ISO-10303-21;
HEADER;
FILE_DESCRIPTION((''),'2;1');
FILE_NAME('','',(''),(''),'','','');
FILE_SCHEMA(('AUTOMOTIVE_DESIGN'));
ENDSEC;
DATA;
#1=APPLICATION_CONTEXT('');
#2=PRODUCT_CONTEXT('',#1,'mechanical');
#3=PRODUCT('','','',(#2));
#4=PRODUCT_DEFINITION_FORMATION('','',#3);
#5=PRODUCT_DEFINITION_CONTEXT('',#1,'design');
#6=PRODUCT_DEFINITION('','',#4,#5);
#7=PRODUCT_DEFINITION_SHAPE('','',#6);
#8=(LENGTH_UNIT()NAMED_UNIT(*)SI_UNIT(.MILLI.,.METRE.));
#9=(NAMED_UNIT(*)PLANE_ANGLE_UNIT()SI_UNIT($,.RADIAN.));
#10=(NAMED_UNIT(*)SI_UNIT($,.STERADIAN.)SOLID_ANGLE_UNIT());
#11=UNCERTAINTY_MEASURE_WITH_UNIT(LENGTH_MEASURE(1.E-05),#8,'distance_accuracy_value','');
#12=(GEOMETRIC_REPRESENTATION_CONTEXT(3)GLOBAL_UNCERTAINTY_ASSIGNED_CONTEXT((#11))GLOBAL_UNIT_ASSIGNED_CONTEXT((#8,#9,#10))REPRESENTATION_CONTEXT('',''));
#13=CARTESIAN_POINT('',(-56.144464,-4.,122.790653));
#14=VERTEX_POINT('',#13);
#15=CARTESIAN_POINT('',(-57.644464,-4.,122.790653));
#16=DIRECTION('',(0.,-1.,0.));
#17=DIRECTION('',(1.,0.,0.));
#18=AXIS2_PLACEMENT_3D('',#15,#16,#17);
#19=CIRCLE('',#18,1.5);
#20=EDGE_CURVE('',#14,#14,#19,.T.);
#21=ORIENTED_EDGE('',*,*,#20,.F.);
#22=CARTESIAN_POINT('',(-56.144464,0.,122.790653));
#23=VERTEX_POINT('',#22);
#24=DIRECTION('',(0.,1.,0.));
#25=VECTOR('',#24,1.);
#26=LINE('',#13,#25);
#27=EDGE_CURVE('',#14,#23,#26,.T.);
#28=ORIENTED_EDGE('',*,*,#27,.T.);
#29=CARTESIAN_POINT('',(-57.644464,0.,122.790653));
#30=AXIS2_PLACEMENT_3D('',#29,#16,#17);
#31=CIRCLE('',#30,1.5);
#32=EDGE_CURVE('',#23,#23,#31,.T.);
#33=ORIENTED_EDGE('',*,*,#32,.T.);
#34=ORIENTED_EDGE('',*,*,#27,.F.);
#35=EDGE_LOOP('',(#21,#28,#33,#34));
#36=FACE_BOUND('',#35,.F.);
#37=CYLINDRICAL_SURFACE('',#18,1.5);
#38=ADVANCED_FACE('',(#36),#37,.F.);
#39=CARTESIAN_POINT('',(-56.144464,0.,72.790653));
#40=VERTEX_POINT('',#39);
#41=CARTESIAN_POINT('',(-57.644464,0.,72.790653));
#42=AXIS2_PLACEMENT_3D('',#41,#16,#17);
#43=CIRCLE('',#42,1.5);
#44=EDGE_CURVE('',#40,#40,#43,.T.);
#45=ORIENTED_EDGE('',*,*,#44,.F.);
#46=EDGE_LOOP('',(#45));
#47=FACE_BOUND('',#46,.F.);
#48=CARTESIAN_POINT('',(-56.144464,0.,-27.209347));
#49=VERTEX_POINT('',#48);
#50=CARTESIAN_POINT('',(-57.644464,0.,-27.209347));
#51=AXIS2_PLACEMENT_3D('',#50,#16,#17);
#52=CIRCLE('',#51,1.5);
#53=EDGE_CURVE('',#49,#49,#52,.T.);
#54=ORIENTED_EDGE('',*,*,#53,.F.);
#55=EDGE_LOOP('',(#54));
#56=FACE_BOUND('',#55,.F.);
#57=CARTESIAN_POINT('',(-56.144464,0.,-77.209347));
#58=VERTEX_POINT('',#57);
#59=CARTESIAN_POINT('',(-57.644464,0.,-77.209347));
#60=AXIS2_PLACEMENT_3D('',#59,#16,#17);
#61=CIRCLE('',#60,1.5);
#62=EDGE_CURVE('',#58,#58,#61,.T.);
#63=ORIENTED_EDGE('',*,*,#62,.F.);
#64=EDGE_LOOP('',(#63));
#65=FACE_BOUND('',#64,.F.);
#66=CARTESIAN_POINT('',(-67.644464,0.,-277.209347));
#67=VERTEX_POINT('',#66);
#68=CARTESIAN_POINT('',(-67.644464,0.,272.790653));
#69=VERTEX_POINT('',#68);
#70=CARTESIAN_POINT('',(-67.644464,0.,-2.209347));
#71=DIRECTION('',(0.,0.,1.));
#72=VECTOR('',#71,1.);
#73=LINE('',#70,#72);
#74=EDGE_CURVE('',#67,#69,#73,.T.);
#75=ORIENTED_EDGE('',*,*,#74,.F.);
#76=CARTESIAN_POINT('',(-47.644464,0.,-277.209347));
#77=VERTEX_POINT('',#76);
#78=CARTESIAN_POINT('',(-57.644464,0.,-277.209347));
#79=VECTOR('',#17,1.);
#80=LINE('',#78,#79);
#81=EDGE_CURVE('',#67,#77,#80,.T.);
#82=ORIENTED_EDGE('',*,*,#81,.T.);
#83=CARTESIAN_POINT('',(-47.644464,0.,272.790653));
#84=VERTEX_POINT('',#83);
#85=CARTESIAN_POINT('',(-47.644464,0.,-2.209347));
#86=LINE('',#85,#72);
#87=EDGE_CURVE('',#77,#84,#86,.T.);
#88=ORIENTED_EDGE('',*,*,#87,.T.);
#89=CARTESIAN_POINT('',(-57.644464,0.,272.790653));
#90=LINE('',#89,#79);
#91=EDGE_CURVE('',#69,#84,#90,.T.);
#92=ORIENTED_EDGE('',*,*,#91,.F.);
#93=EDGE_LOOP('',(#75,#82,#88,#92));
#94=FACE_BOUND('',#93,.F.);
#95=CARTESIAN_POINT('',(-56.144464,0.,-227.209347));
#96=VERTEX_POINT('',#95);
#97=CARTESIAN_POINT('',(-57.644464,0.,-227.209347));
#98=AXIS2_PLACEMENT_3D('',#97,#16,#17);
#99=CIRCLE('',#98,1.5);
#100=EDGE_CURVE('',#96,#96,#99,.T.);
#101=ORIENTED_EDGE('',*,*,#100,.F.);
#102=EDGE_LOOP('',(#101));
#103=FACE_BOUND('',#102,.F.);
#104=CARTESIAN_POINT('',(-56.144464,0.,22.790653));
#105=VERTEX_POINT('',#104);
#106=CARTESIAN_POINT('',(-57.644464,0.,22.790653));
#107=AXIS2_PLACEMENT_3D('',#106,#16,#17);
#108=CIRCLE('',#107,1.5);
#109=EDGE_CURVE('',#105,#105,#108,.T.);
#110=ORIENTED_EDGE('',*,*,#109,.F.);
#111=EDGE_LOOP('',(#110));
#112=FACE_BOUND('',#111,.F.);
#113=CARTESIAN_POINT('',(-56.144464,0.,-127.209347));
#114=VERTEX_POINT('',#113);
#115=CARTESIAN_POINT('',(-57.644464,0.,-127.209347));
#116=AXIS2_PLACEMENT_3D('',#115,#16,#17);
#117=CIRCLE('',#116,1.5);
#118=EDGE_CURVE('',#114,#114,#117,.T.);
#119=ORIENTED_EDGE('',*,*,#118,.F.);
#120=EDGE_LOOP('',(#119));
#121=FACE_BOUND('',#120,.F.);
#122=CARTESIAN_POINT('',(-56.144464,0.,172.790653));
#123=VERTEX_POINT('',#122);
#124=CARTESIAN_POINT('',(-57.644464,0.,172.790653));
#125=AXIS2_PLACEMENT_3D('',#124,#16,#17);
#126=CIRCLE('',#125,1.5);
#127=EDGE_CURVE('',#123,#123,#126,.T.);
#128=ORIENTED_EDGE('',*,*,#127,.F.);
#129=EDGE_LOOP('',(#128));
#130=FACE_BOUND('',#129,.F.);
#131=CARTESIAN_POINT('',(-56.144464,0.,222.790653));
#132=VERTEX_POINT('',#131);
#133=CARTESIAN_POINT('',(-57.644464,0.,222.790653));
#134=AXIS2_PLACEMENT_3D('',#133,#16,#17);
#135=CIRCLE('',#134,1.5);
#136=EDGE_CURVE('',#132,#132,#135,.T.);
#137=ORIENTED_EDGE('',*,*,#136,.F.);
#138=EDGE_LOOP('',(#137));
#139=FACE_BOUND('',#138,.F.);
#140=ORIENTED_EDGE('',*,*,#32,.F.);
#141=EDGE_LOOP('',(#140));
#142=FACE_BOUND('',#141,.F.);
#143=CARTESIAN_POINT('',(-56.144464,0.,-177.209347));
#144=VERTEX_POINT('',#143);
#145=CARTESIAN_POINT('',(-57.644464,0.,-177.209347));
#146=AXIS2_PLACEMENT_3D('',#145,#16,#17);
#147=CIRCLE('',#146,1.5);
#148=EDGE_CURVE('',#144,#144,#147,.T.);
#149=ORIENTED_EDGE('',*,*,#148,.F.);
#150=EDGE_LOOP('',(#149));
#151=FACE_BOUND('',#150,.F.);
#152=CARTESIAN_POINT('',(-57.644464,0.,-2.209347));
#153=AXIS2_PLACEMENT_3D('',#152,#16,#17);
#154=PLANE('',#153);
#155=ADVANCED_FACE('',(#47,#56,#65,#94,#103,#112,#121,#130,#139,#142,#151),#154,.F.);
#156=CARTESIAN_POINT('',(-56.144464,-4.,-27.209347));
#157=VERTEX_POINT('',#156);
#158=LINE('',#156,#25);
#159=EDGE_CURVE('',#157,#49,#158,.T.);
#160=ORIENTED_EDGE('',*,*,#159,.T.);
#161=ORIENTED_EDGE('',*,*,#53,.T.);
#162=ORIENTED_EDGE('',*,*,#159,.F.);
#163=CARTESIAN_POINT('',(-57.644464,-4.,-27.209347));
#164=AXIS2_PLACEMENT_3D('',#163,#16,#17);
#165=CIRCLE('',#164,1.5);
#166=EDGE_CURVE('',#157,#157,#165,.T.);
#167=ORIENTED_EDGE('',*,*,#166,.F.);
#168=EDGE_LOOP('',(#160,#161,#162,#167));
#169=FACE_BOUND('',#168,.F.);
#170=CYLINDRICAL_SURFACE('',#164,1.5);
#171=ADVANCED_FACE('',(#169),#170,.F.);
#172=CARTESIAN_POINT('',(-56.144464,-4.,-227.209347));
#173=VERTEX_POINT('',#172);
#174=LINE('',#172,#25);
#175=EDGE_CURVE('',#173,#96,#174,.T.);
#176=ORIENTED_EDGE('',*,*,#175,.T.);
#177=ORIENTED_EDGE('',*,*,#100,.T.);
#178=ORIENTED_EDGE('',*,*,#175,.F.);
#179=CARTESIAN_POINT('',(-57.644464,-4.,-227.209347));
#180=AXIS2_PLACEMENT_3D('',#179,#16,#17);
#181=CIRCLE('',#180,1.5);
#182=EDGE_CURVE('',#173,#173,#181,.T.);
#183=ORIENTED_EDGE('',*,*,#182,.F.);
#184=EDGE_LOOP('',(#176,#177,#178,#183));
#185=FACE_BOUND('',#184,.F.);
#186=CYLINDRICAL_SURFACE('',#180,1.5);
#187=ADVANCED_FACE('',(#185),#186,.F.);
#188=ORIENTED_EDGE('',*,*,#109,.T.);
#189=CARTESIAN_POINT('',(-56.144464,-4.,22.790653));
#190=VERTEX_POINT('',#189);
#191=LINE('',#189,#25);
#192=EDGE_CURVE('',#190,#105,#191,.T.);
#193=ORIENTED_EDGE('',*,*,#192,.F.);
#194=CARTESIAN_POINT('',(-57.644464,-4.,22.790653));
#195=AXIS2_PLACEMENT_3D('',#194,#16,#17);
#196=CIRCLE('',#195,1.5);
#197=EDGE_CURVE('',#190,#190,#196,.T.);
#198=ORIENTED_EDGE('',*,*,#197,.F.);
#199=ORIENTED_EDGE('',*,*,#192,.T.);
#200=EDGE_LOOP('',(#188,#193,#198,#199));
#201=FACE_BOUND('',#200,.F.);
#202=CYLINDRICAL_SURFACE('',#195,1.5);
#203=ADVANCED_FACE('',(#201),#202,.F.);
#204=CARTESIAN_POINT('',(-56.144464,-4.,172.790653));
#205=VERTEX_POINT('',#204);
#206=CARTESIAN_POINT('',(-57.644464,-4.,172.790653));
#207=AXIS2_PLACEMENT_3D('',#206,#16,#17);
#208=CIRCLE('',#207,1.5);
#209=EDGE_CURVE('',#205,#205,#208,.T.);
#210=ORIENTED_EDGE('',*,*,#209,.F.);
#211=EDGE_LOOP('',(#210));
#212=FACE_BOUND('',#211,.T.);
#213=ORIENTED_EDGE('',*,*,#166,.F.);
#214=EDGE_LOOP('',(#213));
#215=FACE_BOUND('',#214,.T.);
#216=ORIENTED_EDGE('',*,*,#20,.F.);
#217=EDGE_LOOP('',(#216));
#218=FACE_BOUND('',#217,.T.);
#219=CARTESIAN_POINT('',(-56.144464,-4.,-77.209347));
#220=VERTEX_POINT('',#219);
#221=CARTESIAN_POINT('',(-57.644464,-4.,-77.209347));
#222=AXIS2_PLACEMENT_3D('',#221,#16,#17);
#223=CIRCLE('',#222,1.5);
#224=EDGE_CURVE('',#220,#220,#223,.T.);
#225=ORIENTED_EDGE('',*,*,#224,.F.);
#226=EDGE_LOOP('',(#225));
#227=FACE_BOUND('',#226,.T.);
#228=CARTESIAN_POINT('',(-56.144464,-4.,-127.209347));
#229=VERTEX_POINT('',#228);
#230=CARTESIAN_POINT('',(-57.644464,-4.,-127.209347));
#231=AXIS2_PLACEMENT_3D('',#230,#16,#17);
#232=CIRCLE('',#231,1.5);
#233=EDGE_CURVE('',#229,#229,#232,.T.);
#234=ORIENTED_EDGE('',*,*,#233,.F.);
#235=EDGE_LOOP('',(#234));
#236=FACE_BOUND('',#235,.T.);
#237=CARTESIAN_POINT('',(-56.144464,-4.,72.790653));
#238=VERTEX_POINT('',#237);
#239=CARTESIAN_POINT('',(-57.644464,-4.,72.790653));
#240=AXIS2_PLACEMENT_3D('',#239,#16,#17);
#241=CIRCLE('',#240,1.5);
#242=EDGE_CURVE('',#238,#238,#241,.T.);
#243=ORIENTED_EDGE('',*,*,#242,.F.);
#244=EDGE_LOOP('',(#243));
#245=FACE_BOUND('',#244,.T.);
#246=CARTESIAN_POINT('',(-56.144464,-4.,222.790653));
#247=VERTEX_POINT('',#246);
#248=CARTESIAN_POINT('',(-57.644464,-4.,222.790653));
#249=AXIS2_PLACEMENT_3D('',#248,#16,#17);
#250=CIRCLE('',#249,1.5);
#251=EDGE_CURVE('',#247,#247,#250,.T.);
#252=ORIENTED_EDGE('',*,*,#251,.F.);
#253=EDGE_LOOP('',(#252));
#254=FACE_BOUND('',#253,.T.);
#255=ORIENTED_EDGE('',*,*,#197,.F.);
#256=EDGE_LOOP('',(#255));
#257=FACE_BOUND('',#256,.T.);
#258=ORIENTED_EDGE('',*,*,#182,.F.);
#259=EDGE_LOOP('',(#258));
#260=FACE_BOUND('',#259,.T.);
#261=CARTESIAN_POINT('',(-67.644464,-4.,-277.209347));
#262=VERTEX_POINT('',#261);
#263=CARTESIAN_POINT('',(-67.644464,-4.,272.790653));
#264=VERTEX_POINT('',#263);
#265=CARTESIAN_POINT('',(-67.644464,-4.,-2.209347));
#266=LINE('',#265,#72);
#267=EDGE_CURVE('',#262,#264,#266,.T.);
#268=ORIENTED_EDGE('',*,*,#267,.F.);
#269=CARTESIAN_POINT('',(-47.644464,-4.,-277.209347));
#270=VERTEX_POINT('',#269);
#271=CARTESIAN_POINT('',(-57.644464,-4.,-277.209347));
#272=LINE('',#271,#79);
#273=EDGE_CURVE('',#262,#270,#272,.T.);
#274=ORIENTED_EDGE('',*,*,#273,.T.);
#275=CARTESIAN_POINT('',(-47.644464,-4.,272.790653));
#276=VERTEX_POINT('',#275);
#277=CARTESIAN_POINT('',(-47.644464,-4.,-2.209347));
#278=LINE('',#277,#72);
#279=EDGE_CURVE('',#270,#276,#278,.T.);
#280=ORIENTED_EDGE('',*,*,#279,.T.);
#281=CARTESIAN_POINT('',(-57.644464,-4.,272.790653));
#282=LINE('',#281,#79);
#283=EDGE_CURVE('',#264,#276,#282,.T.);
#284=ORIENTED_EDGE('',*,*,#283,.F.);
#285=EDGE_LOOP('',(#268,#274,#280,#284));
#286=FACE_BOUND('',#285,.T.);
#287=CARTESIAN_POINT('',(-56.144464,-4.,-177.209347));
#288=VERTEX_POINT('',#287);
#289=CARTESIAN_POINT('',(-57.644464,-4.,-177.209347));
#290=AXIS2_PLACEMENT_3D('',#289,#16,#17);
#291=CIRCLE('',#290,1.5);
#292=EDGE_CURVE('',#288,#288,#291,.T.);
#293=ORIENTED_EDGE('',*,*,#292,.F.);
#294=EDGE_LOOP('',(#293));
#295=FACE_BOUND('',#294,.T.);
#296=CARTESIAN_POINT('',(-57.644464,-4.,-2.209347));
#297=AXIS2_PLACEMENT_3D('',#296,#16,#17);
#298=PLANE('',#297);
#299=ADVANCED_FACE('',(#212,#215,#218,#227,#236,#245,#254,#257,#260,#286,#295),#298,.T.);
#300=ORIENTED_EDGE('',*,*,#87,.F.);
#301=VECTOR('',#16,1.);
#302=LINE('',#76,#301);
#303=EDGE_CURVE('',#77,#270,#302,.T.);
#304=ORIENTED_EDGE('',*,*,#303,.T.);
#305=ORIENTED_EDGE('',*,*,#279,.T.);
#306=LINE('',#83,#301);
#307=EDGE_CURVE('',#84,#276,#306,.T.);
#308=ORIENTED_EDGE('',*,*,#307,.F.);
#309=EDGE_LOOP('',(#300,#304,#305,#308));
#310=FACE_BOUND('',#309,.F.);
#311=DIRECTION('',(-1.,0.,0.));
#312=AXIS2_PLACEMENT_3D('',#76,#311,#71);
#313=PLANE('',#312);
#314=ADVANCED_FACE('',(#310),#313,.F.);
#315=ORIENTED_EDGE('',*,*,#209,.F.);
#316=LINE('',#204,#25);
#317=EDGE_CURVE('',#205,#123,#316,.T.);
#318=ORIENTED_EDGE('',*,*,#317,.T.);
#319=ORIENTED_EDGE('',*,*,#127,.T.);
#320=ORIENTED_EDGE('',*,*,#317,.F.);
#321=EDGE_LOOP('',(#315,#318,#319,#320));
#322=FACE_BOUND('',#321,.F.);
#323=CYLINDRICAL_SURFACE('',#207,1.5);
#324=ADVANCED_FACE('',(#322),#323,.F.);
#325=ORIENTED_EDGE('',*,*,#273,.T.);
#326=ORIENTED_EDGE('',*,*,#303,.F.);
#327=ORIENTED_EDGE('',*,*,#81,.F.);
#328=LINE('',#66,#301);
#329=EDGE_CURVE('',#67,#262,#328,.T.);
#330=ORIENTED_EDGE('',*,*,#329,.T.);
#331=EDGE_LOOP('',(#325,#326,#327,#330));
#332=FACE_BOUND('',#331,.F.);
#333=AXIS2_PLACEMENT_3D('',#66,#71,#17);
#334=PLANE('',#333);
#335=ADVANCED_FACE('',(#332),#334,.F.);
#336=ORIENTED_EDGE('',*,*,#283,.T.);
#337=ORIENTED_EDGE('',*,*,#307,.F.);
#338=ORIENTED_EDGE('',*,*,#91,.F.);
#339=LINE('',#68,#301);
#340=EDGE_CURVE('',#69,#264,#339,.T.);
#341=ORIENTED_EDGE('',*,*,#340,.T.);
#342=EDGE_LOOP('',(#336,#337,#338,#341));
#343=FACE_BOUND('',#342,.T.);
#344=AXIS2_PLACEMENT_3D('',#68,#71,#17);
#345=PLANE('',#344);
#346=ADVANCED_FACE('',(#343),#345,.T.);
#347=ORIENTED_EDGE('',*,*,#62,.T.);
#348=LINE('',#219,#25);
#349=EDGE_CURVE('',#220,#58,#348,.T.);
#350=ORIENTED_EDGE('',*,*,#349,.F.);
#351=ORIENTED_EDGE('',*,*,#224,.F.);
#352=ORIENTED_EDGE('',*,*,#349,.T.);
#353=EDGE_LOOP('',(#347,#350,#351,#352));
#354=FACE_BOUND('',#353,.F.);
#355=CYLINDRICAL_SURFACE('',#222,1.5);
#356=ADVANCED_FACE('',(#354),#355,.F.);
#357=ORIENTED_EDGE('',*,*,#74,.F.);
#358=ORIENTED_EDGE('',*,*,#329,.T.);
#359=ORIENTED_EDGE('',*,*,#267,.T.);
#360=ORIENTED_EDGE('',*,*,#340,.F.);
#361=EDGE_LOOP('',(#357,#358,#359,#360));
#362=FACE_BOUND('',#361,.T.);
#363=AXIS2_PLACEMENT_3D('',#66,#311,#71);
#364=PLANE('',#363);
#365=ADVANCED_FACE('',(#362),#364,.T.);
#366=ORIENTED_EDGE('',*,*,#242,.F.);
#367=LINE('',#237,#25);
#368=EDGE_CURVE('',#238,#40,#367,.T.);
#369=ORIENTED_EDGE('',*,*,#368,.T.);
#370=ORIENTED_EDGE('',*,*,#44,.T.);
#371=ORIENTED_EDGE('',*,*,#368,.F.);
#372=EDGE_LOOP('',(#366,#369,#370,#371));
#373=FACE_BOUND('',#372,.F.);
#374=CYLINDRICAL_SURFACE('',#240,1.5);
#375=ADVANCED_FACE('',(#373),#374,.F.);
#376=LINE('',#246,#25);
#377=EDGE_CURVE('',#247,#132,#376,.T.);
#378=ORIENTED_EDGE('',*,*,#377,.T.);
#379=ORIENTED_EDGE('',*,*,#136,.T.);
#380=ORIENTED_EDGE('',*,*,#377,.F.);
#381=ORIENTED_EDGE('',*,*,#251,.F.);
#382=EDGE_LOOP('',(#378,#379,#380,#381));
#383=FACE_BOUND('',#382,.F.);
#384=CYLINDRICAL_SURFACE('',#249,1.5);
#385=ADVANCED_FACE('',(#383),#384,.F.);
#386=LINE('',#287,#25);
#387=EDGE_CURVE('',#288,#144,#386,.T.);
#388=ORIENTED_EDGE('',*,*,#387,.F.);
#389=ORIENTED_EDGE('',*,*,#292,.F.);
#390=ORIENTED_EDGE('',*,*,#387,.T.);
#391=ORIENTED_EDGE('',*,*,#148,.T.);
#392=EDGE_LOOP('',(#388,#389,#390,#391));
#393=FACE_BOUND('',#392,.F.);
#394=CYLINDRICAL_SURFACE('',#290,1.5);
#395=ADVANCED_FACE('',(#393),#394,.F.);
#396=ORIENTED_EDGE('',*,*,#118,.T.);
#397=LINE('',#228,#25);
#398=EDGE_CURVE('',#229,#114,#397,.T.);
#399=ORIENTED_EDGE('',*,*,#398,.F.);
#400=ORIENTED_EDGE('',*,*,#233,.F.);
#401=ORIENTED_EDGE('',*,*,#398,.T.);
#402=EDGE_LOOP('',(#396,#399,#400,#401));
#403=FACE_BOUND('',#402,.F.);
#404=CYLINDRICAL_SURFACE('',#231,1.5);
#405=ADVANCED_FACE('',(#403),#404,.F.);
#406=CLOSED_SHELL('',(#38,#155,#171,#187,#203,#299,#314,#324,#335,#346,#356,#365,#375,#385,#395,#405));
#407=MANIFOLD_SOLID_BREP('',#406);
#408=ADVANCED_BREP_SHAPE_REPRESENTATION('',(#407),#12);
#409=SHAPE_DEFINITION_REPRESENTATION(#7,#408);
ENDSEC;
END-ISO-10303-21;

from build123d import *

# Parameters (mm, degrees)
F0_W     = 20
F0_H     = 550
F1_DEPTH = 4
F2_R     = 1.5
F3_DEPTH = 25


with BuildPart() as f1:
    # F0 (on Front) → F1 (new body)
    with BuildSketch(Plane.XZ):
        with Locations((-57.644464, -2.209347)):
            Rectangle(F0_W, F0_H)
    extrude(amount=F1_DEPTH)

    # F2 (on face) → F3 (cut)
    with BuildSketch(Plane.XZ.offset(4)):
        with Locations((-32.644464, 172.790653)):
            Circle(F2_R)
        with Locations((-32.644464, 122.790653)):
            Circle(F2_R)
        with Locations((-57.644464, 122.790653)):
            Circle(F2_R)
        with Locations((-7.644464, 222.790653)):
            Circle(F2_R)
        with Locations((-7.644464, 172.790653)):
            Circle(F2_R)
        with Locations((-7.644464, 122.790653)):
            Circle(F2_R)
        with Locations((-57.644464, 172.790653)):
            Circle(F2_R)
        with Locations((-32.644464, 222.790653)):
            Circle(F2_R)
        with Locations((-57.644464, 222.790653)):
            Circle(F2_R)
        with Locations((-57.644464, -27.209347)):
            Circle(F2_R)
        with Locations((-32.644464, -77.209347)):
            Circle(F2_R)
        with Locations((-57.644464, -127.209347)):
            Circle(F2_R)
        with Locations((-57.644464, -77.209347)):
            Circle(F2_R)
        with Locations((-57.644464, -227.209347)):
            Circle(F2_R)
        with Locations((-57.644464, 72.790653)):
            Circle(F2_R)
        with Locations((-57.644464, 22.790653)):
            Circle(F2_R)
        with Locations((-57.644464, -177.209347)):
            Circle(F2_R)
        with Locations((-32.644464, -27.209347)):
            Circle(F2_R)
        with Locations((-32.644464, 72.790653)):
            Circle(F2_R)
        with Locations((-32.644464, 22.790653)):
            Circle(F2_R)
        with Locations((-32.644464, -127.209347)):
            Circle(F2_R)
        with Locations((-7.644464, -227.209347)):
            Circle(F2_R)
        with Locations((-32.644464, -177.209347)):
            Circle(F2_R)
        with Locations((-7.644464, -177.209347)):
            Circle(F2_R)
        with Locations((-32.644464, -227.209347)):
            Circle(F2_R)
        with Locations((-7.644464, -127.209347)):
            Circle(F2_R)
        with Locations((-7.644464, -77.209347)):
            Circle(F2_R)
        with Locations((-7.644464, -27.209347)):
            Circle(F2_R)
        with Locations((-7.644464, 22.790653)):
            Circle(F2_R)
        with Locations((-7.644464, 72.790653)):
            Circle(F2_R)
    extrude(amount=-F3_DEPTH, mode=Mode.SUBTRACT)


solid = f1.part
